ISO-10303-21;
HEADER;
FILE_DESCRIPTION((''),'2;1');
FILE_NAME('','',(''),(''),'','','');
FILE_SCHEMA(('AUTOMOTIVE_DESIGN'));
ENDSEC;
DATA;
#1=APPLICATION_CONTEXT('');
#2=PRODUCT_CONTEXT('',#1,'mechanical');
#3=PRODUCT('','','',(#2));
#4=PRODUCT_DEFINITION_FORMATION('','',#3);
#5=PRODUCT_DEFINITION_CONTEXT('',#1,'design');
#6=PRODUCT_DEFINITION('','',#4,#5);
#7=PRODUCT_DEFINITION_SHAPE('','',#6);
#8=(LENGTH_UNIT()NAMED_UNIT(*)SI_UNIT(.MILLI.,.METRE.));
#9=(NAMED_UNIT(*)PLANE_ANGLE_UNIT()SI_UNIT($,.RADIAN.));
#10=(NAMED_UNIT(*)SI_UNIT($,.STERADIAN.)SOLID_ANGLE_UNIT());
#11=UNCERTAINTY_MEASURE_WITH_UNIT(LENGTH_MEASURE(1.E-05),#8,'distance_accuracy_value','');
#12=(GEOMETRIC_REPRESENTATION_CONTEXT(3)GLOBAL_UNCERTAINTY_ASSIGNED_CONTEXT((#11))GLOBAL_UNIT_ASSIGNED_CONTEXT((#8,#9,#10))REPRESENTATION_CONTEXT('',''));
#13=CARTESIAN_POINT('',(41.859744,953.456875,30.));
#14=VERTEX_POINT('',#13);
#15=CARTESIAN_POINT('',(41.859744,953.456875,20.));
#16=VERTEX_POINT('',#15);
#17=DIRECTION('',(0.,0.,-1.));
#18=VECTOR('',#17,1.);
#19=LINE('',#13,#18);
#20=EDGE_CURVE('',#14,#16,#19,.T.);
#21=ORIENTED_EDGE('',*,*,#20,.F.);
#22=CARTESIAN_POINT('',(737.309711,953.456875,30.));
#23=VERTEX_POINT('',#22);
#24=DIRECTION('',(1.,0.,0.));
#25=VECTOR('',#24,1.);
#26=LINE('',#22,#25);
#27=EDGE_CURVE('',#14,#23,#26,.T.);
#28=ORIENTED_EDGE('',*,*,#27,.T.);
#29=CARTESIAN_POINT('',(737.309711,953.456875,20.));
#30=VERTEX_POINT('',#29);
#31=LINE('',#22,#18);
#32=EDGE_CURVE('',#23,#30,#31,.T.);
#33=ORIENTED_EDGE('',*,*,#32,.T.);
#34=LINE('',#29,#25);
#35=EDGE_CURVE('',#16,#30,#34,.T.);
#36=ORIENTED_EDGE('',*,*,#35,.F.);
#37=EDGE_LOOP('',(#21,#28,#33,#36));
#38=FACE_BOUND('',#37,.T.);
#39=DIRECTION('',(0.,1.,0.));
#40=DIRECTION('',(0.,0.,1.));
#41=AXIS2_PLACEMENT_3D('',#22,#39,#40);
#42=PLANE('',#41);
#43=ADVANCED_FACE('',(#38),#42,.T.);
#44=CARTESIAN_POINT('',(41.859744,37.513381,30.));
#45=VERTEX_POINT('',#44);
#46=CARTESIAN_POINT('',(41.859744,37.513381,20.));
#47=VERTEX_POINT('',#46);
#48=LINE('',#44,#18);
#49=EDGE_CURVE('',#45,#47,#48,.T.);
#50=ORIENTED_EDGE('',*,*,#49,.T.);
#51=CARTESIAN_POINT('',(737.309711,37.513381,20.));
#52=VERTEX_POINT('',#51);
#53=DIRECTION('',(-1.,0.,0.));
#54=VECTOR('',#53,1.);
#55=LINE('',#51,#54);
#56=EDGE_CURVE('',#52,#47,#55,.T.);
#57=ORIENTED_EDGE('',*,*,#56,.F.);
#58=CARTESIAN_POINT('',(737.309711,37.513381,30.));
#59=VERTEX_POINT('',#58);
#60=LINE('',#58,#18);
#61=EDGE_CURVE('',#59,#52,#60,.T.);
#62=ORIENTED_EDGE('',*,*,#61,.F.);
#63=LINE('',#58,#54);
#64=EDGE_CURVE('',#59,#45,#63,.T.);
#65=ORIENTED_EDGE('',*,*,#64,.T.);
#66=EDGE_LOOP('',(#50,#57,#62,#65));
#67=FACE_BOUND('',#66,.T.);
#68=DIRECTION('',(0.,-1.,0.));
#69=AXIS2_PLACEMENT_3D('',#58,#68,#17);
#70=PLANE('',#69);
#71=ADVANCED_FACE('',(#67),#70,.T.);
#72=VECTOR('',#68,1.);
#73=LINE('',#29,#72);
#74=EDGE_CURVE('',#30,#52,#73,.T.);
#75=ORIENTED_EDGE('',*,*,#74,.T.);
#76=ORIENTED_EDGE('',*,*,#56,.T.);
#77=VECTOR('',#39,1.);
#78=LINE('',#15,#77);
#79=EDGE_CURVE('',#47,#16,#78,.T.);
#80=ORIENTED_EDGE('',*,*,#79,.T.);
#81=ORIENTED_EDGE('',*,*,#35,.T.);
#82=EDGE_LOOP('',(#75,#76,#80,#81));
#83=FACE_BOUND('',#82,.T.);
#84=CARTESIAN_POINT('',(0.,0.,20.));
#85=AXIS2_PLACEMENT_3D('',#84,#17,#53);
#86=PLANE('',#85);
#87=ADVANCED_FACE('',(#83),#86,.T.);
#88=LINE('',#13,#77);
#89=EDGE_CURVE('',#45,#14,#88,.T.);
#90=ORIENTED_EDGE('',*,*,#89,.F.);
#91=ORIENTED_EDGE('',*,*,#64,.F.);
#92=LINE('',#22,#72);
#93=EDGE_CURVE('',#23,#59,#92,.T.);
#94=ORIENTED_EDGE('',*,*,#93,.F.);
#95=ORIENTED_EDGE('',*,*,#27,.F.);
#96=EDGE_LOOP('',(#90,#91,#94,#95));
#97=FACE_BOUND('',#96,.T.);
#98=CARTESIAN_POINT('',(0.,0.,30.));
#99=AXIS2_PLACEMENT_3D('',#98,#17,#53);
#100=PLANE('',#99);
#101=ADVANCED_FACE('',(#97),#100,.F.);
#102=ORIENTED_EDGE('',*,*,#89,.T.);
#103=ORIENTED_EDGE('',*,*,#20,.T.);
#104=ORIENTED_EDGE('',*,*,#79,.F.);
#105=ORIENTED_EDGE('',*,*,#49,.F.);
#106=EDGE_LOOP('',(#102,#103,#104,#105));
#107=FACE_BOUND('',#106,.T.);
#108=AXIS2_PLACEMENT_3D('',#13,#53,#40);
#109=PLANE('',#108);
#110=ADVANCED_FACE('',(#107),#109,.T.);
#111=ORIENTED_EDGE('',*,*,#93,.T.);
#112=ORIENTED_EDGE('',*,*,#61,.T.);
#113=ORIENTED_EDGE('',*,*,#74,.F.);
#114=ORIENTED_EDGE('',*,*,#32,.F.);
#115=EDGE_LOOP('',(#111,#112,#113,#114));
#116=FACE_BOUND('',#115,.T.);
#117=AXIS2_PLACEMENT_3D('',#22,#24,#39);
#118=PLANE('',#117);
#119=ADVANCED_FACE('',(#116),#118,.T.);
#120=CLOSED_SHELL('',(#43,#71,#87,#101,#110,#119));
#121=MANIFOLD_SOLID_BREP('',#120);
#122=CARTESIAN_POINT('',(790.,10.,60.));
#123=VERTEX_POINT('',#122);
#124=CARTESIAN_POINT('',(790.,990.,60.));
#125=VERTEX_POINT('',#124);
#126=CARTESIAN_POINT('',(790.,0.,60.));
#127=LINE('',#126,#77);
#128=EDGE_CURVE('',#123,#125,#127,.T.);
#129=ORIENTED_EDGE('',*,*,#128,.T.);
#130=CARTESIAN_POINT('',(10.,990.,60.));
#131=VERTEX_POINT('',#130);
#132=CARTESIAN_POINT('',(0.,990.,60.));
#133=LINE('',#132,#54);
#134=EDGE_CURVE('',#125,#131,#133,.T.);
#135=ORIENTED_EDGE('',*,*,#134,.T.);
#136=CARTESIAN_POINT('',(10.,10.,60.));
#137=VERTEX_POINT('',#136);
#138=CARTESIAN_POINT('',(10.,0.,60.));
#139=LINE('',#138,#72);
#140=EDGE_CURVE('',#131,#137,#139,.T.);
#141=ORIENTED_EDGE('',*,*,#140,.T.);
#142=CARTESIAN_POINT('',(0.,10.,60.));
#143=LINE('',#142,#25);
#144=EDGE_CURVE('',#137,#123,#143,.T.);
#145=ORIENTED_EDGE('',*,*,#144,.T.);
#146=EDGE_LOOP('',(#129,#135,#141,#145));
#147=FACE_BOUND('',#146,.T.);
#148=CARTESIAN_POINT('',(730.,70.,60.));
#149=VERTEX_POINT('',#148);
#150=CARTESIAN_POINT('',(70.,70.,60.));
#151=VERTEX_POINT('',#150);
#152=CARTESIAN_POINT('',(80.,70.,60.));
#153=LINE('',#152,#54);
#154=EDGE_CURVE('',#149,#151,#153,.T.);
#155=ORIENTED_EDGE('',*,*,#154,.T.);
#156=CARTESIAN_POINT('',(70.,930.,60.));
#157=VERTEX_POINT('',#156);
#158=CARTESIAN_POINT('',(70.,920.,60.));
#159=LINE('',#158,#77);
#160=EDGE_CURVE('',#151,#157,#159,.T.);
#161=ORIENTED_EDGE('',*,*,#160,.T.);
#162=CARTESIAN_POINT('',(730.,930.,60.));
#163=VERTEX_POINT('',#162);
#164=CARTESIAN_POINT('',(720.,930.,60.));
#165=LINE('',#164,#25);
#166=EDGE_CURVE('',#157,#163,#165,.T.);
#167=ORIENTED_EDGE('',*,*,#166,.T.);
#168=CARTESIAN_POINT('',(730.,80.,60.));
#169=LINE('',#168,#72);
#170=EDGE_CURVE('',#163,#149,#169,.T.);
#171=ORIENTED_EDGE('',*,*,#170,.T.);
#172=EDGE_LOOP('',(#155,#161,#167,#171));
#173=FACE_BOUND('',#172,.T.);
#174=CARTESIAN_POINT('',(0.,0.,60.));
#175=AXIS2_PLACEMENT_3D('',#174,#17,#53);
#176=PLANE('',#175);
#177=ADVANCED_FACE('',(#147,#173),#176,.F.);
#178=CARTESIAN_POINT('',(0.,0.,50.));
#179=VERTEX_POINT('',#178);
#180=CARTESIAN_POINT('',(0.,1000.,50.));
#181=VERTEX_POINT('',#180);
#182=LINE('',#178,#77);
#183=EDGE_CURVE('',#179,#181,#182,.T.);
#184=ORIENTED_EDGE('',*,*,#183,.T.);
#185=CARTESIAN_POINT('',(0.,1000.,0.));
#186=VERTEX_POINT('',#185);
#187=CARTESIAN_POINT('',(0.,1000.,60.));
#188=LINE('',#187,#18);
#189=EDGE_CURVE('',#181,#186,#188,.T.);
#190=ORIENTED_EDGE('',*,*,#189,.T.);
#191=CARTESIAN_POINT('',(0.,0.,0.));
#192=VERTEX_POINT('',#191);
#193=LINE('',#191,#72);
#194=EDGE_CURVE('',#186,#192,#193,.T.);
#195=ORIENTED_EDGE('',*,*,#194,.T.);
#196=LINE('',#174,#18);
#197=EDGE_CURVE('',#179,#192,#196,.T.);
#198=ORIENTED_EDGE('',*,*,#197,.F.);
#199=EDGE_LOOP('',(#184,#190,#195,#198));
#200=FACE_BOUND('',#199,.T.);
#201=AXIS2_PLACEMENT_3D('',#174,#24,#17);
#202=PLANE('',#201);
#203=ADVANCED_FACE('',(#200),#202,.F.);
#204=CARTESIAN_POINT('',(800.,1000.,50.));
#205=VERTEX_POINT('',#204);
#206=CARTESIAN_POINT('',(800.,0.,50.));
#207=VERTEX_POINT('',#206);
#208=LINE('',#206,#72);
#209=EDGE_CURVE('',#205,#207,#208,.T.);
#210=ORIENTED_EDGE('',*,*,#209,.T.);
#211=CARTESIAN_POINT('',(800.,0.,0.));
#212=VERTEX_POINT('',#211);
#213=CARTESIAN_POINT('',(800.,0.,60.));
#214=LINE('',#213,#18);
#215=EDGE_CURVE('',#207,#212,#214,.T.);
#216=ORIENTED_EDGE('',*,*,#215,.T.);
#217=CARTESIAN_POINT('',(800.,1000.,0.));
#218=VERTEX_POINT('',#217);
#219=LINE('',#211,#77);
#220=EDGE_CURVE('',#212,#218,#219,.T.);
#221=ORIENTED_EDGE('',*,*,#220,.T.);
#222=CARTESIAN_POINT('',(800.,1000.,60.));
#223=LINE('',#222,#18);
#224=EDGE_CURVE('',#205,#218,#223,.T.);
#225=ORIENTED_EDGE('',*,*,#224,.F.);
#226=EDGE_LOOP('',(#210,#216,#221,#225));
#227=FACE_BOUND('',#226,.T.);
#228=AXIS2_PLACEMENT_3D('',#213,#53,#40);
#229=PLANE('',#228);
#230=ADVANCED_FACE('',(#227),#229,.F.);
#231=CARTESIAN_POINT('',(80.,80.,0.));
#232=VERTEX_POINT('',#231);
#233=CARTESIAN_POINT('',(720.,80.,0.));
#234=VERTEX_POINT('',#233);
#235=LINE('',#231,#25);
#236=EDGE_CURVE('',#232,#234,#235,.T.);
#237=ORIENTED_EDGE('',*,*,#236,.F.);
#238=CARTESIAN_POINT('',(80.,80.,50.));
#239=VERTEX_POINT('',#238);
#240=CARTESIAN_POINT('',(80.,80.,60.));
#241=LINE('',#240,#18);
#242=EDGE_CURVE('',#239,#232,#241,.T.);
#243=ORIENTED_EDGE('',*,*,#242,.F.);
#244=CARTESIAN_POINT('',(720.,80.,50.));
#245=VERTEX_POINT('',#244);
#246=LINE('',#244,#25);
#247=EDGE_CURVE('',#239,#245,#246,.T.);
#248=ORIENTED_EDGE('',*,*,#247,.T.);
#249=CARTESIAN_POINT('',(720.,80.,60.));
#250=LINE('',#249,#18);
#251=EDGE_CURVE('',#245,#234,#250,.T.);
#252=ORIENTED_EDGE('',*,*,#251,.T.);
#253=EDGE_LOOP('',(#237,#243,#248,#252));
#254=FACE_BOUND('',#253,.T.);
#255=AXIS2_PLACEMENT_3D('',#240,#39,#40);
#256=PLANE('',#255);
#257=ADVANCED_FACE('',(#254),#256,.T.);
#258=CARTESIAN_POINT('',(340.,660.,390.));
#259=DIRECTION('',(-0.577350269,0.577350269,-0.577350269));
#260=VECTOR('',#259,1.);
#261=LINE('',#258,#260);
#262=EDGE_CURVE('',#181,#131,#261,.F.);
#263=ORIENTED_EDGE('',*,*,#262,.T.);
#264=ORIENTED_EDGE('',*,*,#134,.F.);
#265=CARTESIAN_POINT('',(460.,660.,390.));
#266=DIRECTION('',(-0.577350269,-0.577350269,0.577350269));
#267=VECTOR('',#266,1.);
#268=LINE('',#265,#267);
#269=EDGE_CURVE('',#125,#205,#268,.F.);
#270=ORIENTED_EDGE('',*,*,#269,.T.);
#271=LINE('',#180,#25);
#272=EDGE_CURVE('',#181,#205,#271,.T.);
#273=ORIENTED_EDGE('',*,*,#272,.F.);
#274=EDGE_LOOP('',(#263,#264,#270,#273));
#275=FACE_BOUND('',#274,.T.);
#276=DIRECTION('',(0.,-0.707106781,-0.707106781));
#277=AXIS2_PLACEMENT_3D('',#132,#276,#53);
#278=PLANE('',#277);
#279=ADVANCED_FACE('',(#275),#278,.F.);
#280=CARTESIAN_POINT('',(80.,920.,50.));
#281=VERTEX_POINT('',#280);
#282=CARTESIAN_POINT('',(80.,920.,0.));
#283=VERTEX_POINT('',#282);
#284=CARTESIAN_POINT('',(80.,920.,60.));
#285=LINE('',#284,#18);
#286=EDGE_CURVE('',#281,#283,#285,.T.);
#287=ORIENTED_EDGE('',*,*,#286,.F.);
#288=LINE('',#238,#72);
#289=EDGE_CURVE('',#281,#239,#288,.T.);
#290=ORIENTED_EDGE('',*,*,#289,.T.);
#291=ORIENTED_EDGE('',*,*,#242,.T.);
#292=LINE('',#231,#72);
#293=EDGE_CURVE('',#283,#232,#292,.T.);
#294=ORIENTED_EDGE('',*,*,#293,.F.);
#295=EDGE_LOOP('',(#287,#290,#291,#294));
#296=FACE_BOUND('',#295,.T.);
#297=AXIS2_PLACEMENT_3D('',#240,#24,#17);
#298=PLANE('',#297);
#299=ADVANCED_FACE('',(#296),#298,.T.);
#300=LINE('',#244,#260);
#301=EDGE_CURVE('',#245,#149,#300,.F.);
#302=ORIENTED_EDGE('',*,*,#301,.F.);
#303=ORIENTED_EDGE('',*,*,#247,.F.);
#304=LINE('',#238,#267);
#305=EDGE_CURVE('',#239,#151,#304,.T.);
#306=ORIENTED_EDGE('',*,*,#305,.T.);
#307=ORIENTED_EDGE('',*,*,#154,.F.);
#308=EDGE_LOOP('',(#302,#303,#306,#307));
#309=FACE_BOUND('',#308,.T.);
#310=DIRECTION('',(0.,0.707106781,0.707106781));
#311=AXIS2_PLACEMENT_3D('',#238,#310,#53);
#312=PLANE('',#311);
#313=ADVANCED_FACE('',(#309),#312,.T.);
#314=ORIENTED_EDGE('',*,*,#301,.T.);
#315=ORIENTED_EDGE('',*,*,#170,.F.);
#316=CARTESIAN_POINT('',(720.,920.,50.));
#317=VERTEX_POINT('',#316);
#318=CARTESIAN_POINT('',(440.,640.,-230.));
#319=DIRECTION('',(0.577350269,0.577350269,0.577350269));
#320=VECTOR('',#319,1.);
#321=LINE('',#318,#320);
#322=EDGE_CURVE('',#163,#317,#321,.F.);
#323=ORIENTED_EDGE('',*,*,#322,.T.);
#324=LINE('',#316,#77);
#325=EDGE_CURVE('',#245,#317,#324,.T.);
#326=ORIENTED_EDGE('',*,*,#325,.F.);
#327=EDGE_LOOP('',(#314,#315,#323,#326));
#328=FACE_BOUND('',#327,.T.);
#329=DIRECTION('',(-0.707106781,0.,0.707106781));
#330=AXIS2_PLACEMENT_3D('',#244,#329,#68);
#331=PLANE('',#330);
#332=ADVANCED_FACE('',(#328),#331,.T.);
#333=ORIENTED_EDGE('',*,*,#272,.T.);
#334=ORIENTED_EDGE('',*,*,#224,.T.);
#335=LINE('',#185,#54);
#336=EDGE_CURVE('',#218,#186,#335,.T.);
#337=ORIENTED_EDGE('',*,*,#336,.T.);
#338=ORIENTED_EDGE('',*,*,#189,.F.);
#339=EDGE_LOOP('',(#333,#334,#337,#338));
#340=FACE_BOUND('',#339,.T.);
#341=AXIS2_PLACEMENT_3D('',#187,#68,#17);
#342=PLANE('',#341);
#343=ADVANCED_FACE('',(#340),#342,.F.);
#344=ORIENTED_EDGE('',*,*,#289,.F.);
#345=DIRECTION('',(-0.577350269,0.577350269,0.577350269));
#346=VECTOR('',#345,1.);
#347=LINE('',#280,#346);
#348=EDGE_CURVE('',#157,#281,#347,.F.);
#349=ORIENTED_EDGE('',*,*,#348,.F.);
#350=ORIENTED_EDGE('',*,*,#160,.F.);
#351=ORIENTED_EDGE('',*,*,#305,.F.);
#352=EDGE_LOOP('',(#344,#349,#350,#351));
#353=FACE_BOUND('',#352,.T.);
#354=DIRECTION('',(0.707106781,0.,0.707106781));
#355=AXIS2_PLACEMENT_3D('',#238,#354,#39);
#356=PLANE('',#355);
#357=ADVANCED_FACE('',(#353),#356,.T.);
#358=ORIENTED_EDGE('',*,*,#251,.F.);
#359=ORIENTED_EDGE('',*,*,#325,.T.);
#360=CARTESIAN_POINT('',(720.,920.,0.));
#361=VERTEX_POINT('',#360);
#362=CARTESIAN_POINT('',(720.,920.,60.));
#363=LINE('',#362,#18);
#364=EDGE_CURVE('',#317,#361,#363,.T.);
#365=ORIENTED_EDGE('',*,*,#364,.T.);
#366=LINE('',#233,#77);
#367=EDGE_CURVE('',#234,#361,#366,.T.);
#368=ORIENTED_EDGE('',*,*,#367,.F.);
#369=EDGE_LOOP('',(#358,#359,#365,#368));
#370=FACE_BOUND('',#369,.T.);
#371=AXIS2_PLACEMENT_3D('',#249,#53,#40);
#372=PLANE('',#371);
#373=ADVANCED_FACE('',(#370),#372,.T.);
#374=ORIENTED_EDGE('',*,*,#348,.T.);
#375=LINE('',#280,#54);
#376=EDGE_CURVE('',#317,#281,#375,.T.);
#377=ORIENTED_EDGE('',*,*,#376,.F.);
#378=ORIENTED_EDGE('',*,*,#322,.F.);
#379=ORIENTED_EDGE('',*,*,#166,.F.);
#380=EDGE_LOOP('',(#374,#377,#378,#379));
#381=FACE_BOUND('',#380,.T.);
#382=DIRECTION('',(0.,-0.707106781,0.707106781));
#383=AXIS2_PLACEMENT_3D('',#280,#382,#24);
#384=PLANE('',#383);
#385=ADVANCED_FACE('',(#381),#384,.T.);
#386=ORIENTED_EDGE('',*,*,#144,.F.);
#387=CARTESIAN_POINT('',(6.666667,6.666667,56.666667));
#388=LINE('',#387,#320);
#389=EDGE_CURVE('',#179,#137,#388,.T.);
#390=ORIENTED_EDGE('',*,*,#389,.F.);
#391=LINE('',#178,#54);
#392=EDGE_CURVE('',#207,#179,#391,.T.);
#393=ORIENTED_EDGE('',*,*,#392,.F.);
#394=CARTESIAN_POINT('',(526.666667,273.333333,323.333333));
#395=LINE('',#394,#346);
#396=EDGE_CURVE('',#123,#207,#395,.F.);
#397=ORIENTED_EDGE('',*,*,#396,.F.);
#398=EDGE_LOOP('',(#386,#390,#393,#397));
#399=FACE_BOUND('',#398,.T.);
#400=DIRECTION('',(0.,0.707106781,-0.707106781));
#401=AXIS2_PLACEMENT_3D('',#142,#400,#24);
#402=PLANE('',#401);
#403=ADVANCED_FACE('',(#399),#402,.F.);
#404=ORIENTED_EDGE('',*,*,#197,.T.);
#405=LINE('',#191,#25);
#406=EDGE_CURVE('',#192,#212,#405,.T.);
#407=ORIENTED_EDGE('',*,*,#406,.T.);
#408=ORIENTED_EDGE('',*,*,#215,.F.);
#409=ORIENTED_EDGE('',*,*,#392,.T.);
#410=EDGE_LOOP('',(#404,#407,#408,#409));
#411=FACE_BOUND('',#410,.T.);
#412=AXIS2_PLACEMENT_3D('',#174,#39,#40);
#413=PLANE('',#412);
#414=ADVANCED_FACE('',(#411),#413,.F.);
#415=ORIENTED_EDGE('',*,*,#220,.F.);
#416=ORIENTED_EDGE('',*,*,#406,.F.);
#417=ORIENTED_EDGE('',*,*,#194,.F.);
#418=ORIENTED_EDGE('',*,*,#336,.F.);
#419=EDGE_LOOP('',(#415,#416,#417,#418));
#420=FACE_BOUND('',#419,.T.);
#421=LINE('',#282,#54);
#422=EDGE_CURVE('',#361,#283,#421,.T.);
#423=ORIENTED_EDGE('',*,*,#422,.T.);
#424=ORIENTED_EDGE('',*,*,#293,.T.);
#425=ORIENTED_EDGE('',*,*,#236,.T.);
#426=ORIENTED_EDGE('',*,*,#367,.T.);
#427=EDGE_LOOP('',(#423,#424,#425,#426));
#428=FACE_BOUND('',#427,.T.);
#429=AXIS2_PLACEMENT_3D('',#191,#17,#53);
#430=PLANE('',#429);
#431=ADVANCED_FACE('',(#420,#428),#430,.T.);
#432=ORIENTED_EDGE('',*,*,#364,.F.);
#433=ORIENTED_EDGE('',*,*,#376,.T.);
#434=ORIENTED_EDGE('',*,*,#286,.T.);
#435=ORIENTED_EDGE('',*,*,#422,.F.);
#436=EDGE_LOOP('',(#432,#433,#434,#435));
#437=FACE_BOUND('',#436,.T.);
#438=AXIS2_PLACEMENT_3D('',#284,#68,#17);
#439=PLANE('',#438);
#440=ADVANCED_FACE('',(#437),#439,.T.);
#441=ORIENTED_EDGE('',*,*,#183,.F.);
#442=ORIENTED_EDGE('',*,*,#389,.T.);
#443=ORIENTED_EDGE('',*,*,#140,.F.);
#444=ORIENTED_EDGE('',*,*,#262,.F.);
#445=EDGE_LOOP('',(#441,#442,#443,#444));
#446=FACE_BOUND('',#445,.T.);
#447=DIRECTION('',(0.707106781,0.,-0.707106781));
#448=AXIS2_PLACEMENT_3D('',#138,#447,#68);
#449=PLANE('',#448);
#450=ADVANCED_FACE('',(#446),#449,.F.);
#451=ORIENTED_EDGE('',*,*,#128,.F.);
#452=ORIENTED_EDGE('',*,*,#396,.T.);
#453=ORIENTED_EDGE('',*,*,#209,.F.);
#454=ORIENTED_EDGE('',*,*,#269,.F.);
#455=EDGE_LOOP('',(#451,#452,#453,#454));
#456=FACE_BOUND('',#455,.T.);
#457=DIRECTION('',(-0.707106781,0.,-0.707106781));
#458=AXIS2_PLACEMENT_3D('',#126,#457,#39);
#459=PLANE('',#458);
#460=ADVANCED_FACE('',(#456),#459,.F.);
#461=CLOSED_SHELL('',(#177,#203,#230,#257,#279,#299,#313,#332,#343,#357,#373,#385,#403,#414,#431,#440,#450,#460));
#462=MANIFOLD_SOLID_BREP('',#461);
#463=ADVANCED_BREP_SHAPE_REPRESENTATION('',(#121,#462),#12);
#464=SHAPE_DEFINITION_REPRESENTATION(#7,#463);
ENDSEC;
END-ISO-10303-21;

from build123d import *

# Parameters (mm, degrees)
SKETCH_1_W      = 800
SKETCH_1_H      = 1000
SKETCH_1_W_2    = 640
SKETCH_1_H_2    = 840
EXTRUDE_1_DEPTH = 60
CHAMFER_1_SIZE  = 10
EXTRUDE_START   = -20
SKETCH_2_W      = 695.449967655
SKETCH_2_H      = 915.943493932
EXTRUDE_2_DEPTH = 10


with BuildPart() as part:
    # Эскиз1 → Бобышка-Вытянуть1 (new body)
    with BuildSketch(Plane.XY):
        with Locations((400, 500)):
            Rectangle(SKETCH_1_W, SKETCH_1_H)
        with Locations((400, 500)):
            Rectangle(SKETCH_1_W_2, SKETCH_1_H_2, mode=Mode.SUBTRACT)
    extrude(amount=EXTRUDE_1_DEPTH)

    # Фаска1
    chamfer_1_edges = [part.edges().sort_by_distance(p)[0] for p in [
        (800, 500, 60),
        (400, 80, 60),
        (400, 1000, 60),
        (720, 500, 60),
        (400, 920, 60),
        (80, 500, 60),
        (0, 500, 60),
        (400, 0, 60),
    ]]
    chamfer(chamfer_1_edges, length=CHAMFER_1_SIZE)


with BuildPart() as body_2:
    # Эскиз2 → Бобышка-Вытянуть2 (new body)
    with BuildSketch(Plane(origin=(0, 0, 0), x_dir=(-1, 0, 0), z_dir=(0, 0, -1)).offset(EXTRUDE_START)):
        with Locations((-389.584727631, 495.485128436)):
            Rectangle(SKETCH_2_W, SKETCH_2_H)
    extrude(amount=-EXTRUDE_2_DEPTH)


solid = Compound([part.part, body_2.part])
